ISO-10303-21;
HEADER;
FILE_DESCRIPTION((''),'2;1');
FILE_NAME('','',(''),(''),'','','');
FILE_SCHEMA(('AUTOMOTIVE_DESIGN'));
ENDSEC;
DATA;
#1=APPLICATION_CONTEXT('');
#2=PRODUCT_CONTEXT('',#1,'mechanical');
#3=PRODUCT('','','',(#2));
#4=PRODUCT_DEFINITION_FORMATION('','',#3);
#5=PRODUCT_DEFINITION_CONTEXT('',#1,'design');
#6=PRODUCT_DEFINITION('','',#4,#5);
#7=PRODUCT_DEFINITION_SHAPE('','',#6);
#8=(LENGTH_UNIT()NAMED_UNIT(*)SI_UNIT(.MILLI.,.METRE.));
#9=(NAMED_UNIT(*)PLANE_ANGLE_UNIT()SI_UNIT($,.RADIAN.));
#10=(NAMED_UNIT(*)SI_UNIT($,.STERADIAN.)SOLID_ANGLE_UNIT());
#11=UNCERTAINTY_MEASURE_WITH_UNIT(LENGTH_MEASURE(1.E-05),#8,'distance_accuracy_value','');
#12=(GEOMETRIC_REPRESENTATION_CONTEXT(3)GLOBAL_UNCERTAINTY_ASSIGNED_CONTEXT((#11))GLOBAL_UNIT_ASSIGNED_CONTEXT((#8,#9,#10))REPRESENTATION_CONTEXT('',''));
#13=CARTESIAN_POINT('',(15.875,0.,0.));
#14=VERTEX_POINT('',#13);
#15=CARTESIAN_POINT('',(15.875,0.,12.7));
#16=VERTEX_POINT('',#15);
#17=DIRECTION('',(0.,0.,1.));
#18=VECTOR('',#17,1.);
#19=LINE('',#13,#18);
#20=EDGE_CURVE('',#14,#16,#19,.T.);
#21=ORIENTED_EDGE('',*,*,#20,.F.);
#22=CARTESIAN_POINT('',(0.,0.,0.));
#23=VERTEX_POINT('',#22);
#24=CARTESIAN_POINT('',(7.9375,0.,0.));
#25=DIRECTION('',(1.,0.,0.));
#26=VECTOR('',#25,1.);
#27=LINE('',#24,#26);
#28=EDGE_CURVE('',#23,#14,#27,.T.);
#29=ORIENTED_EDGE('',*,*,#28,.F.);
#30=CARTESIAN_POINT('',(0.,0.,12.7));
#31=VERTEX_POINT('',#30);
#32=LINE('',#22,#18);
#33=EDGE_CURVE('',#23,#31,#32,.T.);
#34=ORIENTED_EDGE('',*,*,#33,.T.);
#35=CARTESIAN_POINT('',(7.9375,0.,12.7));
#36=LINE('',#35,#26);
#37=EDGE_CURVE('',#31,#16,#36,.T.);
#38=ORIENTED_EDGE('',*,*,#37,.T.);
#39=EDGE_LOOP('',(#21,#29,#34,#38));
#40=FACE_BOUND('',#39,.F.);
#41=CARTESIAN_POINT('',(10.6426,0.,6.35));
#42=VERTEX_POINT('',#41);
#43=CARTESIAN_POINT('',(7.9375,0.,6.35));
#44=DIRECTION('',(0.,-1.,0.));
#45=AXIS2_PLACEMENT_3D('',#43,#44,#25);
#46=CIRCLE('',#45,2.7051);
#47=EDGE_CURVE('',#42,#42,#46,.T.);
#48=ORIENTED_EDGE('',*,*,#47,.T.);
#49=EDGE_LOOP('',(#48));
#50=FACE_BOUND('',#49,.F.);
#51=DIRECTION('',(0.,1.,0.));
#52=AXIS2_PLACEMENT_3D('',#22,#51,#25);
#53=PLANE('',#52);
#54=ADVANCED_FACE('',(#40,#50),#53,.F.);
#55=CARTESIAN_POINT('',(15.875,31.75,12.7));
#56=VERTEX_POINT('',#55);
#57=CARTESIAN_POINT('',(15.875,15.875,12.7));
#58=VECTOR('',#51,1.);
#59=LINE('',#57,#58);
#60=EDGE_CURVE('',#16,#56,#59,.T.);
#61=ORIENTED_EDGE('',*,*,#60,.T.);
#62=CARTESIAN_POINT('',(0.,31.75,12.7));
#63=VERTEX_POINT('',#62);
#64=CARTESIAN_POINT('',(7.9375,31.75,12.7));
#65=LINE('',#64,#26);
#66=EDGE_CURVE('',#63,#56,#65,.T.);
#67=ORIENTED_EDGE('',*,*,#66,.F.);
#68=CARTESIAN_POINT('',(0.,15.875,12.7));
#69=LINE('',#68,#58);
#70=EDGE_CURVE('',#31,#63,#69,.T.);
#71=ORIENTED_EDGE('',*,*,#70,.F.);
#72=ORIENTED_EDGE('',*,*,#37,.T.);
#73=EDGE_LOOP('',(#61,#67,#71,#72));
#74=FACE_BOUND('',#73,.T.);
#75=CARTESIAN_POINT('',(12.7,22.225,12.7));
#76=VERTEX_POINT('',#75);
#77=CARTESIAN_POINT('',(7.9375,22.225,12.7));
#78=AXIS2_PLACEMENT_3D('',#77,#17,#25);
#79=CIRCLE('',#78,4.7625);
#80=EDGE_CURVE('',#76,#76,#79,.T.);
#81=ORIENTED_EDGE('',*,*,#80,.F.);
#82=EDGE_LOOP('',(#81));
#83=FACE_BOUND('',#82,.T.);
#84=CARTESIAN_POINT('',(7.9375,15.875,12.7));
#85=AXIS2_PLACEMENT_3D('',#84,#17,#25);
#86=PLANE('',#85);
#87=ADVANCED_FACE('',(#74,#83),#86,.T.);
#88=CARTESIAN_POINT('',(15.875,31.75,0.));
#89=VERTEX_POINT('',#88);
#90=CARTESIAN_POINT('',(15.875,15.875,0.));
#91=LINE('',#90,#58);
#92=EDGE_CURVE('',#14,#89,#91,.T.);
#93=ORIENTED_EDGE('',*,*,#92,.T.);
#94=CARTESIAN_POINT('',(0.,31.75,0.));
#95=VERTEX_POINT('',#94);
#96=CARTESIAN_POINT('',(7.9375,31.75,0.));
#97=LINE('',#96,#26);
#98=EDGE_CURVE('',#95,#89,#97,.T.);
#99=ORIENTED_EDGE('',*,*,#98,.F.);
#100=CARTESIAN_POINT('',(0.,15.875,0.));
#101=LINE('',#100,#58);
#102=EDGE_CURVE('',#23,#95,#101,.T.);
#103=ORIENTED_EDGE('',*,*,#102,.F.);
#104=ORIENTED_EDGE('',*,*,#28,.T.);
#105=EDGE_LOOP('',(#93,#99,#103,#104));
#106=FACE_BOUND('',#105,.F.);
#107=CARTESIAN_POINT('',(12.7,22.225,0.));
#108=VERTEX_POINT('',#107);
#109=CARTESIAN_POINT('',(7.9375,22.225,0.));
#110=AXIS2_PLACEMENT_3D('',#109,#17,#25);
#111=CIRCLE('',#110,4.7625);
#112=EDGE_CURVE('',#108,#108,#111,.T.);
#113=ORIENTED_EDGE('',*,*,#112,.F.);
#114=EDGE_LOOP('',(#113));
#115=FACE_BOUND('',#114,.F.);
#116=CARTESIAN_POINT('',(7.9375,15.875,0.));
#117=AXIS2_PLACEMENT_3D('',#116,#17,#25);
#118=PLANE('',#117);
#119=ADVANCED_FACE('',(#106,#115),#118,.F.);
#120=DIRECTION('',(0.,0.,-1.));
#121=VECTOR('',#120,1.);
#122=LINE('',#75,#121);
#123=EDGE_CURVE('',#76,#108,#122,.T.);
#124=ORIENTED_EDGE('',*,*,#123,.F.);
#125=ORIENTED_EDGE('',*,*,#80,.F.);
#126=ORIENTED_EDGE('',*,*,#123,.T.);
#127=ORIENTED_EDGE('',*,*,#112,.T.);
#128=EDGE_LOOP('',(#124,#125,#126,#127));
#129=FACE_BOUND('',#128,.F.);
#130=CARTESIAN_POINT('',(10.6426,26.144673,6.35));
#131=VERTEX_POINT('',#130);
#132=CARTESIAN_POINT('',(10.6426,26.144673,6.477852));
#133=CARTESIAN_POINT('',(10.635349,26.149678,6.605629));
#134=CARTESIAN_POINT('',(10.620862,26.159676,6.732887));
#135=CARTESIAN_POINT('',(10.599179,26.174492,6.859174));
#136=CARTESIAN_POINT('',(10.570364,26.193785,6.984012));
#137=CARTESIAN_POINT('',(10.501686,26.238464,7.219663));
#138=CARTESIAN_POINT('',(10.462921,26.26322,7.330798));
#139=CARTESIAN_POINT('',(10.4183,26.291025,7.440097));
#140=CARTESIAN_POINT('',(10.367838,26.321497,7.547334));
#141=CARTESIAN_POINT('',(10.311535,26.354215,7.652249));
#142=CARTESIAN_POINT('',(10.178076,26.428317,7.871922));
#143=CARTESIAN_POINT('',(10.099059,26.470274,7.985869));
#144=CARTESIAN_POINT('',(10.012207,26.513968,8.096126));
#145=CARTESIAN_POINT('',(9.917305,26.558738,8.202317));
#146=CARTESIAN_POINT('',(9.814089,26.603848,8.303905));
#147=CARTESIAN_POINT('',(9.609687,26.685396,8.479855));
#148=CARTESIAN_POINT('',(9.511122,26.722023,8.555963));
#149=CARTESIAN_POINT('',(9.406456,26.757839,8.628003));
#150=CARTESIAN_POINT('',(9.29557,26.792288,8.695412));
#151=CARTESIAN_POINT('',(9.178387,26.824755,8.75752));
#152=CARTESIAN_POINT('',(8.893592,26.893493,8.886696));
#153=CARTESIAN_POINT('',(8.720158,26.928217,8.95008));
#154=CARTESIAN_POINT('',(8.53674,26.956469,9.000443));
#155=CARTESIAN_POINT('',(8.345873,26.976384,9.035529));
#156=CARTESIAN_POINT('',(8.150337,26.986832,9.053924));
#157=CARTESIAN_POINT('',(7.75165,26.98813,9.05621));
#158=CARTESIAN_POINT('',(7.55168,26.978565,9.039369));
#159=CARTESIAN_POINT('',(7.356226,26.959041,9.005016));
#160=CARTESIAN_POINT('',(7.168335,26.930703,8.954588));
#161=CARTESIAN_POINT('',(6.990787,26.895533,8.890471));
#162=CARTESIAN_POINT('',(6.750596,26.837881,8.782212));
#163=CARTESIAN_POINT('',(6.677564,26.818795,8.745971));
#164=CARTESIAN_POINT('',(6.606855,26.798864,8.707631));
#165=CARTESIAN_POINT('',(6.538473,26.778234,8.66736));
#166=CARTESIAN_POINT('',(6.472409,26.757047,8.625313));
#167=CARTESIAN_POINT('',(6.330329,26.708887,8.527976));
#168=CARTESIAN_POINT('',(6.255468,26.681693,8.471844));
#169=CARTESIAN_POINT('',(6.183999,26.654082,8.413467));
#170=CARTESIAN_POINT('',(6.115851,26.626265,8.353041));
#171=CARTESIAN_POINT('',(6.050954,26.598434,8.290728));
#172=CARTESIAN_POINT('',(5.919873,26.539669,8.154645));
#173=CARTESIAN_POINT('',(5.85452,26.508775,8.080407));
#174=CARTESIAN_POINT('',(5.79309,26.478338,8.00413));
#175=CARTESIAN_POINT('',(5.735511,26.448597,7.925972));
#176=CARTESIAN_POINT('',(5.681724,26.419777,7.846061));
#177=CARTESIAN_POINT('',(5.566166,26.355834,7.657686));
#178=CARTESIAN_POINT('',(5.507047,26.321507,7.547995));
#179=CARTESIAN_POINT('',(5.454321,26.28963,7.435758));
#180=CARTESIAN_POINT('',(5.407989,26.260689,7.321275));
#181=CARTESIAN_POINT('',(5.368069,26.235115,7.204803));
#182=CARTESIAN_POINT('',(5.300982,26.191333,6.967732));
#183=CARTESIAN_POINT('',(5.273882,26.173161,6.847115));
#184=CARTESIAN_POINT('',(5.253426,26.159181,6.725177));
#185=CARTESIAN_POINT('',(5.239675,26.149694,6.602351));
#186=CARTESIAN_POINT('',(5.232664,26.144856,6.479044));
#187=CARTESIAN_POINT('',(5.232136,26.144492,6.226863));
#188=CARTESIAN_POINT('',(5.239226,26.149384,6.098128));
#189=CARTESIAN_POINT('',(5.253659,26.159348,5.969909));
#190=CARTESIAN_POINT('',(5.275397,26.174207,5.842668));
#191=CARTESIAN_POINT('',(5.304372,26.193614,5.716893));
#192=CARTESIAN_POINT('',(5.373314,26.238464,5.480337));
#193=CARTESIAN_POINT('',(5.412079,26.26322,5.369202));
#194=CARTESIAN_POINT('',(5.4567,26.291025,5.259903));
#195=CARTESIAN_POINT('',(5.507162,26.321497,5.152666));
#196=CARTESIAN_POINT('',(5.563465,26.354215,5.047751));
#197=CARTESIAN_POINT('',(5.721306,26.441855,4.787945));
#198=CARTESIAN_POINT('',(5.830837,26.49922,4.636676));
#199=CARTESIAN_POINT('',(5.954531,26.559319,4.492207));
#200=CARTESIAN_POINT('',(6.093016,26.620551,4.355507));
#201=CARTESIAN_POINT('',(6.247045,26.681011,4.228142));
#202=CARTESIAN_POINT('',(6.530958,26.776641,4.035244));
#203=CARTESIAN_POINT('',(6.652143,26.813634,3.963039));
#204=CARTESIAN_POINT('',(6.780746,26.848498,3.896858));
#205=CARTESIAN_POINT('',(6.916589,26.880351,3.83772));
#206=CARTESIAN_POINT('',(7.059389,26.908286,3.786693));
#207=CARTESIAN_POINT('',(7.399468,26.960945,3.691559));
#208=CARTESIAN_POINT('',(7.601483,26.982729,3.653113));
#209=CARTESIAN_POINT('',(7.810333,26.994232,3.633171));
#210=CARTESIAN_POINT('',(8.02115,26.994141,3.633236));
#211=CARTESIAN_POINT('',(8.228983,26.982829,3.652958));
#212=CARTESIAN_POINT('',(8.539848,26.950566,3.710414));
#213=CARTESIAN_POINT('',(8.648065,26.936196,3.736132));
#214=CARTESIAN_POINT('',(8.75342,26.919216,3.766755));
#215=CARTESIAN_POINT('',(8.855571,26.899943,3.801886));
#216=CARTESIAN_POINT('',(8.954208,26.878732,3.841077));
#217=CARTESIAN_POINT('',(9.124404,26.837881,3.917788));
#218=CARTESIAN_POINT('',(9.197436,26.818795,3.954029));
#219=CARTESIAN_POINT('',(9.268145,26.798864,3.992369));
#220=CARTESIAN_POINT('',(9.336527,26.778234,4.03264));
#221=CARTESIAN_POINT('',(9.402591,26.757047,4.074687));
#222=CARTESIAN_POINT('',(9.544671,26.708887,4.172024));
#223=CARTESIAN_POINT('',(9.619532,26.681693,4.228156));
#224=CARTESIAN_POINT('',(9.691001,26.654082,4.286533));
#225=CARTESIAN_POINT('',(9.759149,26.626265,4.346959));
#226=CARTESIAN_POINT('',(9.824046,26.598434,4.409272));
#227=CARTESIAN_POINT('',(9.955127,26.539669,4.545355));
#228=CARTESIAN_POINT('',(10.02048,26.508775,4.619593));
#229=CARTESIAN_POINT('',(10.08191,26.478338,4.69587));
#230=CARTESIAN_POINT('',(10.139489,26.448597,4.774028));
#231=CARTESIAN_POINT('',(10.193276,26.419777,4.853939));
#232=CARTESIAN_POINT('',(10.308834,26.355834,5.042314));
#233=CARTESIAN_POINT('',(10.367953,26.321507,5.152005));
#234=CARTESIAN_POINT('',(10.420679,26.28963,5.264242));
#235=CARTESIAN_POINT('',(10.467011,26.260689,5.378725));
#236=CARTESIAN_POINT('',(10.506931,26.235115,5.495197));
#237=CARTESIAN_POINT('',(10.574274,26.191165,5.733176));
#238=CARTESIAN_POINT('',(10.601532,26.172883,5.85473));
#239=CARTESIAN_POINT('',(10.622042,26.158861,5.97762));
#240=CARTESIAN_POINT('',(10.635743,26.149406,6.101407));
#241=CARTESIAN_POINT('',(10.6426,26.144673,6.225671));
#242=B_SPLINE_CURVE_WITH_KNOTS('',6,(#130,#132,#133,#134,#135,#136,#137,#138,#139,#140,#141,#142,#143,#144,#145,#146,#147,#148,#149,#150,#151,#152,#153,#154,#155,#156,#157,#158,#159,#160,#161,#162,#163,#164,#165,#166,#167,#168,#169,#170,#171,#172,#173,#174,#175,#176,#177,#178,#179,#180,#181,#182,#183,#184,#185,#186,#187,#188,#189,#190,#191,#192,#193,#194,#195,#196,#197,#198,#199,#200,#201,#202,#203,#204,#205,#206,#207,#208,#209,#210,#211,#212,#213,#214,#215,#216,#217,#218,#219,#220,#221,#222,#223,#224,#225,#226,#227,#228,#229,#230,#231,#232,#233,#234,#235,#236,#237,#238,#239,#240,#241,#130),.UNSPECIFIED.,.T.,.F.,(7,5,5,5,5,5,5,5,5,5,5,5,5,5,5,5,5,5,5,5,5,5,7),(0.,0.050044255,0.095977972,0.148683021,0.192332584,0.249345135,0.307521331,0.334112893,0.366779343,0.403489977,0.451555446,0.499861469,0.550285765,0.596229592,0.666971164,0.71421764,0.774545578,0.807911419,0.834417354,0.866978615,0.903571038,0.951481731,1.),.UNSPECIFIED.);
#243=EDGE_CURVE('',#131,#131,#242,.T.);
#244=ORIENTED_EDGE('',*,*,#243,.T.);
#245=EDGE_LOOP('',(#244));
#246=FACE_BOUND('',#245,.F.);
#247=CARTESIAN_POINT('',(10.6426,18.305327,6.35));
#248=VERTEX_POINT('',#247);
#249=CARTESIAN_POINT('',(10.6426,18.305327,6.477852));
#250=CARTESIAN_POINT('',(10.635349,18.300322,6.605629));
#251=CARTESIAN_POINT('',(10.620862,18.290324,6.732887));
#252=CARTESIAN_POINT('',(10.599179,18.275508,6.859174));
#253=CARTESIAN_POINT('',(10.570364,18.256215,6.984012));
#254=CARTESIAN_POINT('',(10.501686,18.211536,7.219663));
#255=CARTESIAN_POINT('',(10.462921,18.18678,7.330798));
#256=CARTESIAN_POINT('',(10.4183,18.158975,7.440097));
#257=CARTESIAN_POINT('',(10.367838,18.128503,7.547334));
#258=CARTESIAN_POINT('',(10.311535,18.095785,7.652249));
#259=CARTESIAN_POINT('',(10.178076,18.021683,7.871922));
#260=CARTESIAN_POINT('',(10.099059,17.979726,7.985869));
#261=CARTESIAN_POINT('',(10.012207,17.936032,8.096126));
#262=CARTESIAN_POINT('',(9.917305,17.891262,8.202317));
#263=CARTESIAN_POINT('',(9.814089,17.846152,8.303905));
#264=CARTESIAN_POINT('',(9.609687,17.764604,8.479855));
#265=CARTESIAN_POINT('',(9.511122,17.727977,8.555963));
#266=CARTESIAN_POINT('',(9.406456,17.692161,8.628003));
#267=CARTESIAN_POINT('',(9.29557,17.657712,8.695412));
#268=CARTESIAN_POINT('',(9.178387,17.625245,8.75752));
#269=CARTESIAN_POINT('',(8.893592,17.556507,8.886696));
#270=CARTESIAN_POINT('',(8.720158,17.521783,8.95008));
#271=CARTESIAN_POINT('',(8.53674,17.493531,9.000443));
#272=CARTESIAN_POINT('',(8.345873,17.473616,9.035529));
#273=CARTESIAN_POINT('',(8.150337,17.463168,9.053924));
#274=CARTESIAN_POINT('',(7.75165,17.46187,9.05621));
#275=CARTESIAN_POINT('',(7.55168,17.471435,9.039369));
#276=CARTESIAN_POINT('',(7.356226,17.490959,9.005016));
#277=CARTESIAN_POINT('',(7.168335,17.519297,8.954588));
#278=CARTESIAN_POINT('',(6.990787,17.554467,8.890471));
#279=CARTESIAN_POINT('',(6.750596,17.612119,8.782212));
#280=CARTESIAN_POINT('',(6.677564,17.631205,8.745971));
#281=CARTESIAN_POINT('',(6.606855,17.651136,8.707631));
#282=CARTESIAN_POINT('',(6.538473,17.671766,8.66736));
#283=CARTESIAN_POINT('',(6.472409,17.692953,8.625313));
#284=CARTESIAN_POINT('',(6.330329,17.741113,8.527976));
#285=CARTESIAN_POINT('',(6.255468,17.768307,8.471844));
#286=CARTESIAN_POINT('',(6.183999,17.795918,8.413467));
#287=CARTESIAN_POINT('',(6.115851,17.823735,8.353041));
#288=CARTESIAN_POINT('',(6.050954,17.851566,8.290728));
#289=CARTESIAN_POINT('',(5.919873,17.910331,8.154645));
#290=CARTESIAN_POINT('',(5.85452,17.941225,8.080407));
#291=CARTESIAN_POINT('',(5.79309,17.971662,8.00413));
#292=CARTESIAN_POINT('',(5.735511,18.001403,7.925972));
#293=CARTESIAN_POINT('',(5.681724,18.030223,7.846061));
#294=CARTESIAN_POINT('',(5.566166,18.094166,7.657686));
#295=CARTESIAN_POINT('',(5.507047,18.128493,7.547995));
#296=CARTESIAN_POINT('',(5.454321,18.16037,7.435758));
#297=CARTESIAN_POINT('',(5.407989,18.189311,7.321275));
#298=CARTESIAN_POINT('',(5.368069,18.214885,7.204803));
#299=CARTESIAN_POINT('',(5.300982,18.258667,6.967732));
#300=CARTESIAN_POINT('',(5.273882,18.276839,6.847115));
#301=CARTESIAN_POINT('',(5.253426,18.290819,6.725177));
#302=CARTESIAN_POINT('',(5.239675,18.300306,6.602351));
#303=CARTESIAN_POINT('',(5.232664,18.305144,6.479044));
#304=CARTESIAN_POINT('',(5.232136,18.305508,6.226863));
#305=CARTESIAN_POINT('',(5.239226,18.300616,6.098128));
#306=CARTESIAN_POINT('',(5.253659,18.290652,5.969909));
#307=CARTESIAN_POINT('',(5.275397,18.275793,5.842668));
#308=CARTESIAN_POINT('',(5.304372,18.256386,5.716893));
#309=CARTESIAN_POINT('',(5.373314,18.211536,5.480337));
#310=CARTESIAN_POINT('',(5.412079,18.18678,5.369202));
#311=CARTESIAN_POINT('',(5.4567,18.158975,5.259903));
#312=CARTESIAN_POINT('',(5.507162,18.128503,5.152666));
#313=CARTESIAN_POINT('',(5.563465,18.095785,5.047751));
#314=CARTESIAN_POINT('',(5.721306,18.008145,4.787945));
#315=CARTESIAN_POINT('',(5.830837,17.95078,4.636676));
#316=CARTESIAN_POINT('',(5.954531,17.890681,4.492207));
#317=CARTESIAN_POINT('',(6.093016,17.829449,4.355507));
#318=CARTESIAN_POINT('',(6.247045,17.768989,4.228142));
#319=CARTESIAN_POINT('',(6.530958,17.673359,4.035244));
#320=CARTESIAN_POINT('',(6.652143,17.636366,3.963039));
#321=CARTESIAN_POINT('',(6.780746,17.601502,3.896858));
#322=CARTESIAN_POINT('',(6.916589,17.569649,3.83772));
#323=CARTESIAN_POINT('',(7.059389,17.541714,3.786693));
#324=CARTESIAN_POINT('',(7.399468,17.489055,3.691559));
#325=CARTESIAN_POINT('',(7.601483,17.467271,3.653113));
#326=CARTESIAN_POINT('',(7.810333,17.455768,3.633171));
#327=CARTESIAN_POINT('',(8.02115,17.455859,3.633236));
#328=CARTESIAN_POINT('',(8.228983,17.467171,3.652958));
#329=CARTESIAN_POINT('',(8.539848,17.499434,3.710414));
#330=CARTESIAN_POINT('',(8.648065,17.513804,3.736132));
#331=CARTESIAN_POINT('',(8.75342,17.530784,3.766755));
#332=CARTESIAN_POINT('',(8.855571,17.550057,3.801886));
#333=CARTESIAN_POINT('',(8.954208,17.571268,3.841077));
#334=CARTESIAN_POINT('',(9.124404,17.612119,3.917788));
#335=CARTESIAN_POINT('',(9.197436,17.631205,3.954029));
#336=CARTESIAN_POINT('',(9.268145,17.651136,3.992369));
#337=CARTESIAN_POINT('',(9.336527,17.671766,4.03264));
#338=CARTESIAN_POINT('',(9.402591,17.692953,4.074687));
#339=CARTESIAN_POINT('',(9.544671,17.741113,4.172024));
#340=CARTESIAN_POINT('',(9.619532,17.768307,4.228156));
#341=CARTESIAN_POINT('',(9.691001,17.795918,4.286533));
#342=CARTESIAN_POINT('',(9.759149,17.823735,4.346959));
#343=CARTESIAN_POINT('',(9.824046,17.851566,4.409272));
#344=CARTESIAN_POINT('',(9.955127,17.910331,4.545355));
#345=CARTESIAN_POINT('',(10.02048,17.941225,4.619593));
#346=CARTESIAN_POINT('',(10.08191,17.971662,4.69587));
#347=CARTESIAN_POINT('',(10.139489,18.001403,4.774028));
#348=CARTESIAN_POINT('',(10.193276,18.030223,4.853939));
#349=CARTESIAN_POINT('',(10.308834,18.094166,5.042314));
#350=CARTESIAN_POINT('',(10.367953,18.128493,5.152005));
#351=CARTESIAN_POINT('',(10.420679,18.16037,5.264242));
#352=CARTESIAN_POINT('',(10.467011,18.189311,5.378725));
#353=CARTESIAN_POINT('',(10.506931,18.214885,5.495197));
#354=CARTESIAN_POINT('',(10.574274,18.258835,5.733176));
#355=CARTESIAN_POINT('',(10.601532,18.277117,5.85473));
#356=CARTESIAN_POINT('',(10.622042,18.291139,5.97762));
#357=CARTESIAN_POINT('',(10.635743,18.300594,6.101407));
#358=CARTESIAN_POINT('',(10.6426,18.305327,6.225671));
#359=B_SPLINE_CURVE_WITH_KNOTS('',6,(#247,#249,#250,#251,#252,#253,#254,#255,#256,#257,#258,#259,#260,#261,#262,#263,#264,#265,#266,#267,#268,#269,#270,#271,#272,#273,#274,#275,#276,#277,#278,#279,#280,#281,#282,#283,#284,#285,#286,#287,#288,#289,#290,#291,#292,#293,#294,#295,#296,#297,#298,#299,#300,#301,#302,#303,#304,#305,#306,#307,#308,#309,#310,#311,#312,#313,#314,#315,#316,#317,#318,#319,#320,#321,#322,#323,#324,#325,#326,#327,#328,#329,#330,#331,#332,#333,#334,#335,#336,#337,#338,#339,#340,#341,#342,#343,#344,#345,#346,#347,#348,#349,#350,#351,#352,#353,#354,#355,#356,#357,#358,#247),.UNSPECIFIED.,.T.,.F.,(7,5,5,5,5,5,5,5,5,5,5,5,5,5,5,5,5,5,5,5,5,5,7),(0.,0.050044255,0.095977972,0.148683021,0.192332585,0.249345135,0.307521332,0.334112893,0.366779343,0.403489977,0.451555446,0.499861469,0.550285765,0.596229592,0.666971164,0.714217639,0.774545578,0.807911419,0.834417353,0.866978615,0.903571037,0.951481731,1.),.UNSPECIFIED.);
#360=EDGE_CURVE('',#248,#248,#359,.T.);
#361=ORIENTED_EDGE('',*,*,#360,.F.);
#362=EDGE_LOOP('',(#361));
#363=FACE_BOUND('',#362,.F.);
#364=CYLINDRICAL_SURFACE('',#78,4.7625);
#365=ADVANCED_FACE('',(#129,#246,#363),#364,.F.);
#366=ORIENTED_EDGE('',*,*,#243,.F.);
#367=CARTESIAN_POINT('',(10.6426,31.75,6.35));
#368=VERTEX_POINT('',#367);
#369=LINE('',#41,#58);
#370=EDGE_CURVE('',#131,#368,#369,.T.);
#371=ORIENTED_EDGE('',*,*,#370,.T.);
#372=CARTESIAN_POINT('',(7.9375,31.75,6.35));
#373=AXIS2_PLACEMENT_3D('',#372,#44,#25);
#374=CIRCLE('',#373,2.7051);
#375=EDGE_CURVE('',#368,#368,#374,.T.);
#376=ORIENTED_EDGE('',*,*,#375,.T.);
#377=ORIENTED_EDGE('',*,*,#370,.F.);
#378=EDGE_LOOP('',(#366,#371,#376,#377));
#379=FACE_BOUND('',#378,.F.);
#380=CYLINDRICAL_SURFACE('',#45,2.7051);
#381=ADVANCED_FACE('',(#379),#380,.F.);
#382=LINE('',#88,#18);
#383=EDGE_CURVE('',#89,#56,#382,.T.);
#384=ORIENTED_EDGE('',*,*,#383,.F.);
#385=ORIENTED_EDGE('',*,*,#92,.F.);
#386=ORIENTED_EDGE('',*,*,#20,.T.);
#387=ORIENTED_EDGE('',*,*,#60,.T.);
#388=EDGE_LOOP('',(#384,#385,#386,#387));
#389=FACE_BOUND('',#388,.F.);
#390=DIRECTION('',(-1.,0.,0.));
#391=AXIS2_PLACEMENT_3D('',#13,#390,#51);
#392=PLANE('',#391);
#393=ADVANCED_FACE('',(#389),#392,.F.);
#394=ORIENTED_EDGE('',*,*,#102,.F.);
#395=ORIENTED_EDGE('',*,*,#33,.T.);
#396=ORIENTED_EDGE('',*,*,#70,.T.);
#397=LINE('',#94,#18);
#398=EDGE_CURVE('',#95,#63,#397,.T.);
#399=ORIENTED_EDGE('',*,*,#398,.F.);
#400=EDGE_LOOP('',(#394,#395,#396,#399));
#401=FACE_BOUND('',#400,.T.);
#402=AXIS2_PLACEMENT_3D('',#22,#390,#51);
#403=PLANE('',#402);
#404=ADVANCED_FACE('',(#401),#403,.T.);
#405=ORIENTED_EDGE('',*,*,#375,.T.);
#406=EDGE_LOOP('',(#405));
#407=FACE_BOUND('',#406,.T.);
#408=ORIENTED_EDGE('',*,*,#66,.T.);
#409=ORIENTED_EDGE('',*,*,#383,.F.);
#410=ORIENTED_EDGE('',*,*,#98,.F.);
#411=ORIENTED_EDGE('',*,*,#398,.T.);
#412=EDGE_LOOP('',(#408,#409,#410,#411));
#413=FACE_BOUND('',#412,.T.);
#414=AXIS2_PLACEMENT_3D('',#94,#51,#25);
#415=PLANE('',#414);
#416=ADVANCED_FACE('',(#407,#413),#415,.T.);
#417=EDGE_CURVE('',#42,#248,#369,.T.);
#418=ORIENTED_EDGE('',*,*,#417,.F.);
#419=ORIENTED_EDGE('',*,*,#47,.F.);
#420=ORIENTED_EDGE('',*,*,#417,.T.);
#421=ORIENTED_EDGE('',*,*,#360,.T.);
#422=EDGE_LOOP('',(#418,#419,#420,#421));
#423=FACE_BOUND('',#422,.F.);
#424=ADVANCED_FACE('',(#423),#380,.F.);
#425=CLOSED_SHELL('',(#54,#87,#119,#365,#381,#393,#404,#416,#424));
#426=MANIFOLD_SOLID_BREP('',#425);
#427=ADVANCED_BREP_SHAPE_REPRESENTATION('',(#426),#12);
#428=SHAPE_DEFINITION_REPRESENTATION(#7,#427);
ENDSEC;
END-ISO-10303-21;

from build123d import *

# Parameters (mm, degrees)
F0_W     = 15.875
F0_H     = 31.75
F1_DEPTH = 12.7
F2_R     = 4.7625
F3_DEPTH = 12.7
F4_R     = 2.7051
F5_DEPTH = 31.75


with BuildPart() as f1:
    # F0 (on Top) → F1 (new body)
    with BuildSketch(Plane.XY):
        with Locations((7.9375, 15.875)):
            Rectangle(F0_W, F0_H)
    extrude(amount=F1_DEPTH)

    # F2 (on face) → F3 (cut, through all)
    with BuildSketch(Plane.XY.offset(12.7)):
        with Locations((7.9375, 22.225)):
            Circle(F2_R)
    extrude(amount=-F3_DEPTH, mode=Mode.SUBTRACT)

    # F4 (on face) → F5 (cut, through all)
    with BuildSketch(Plane.XZ):
        with Locations((7.9375, 6.35)):
            Circle(F4_R)
    extrude(amount=-F5_DEPTH, mode=Mode.SUBTRACT)


solid = f1.part
